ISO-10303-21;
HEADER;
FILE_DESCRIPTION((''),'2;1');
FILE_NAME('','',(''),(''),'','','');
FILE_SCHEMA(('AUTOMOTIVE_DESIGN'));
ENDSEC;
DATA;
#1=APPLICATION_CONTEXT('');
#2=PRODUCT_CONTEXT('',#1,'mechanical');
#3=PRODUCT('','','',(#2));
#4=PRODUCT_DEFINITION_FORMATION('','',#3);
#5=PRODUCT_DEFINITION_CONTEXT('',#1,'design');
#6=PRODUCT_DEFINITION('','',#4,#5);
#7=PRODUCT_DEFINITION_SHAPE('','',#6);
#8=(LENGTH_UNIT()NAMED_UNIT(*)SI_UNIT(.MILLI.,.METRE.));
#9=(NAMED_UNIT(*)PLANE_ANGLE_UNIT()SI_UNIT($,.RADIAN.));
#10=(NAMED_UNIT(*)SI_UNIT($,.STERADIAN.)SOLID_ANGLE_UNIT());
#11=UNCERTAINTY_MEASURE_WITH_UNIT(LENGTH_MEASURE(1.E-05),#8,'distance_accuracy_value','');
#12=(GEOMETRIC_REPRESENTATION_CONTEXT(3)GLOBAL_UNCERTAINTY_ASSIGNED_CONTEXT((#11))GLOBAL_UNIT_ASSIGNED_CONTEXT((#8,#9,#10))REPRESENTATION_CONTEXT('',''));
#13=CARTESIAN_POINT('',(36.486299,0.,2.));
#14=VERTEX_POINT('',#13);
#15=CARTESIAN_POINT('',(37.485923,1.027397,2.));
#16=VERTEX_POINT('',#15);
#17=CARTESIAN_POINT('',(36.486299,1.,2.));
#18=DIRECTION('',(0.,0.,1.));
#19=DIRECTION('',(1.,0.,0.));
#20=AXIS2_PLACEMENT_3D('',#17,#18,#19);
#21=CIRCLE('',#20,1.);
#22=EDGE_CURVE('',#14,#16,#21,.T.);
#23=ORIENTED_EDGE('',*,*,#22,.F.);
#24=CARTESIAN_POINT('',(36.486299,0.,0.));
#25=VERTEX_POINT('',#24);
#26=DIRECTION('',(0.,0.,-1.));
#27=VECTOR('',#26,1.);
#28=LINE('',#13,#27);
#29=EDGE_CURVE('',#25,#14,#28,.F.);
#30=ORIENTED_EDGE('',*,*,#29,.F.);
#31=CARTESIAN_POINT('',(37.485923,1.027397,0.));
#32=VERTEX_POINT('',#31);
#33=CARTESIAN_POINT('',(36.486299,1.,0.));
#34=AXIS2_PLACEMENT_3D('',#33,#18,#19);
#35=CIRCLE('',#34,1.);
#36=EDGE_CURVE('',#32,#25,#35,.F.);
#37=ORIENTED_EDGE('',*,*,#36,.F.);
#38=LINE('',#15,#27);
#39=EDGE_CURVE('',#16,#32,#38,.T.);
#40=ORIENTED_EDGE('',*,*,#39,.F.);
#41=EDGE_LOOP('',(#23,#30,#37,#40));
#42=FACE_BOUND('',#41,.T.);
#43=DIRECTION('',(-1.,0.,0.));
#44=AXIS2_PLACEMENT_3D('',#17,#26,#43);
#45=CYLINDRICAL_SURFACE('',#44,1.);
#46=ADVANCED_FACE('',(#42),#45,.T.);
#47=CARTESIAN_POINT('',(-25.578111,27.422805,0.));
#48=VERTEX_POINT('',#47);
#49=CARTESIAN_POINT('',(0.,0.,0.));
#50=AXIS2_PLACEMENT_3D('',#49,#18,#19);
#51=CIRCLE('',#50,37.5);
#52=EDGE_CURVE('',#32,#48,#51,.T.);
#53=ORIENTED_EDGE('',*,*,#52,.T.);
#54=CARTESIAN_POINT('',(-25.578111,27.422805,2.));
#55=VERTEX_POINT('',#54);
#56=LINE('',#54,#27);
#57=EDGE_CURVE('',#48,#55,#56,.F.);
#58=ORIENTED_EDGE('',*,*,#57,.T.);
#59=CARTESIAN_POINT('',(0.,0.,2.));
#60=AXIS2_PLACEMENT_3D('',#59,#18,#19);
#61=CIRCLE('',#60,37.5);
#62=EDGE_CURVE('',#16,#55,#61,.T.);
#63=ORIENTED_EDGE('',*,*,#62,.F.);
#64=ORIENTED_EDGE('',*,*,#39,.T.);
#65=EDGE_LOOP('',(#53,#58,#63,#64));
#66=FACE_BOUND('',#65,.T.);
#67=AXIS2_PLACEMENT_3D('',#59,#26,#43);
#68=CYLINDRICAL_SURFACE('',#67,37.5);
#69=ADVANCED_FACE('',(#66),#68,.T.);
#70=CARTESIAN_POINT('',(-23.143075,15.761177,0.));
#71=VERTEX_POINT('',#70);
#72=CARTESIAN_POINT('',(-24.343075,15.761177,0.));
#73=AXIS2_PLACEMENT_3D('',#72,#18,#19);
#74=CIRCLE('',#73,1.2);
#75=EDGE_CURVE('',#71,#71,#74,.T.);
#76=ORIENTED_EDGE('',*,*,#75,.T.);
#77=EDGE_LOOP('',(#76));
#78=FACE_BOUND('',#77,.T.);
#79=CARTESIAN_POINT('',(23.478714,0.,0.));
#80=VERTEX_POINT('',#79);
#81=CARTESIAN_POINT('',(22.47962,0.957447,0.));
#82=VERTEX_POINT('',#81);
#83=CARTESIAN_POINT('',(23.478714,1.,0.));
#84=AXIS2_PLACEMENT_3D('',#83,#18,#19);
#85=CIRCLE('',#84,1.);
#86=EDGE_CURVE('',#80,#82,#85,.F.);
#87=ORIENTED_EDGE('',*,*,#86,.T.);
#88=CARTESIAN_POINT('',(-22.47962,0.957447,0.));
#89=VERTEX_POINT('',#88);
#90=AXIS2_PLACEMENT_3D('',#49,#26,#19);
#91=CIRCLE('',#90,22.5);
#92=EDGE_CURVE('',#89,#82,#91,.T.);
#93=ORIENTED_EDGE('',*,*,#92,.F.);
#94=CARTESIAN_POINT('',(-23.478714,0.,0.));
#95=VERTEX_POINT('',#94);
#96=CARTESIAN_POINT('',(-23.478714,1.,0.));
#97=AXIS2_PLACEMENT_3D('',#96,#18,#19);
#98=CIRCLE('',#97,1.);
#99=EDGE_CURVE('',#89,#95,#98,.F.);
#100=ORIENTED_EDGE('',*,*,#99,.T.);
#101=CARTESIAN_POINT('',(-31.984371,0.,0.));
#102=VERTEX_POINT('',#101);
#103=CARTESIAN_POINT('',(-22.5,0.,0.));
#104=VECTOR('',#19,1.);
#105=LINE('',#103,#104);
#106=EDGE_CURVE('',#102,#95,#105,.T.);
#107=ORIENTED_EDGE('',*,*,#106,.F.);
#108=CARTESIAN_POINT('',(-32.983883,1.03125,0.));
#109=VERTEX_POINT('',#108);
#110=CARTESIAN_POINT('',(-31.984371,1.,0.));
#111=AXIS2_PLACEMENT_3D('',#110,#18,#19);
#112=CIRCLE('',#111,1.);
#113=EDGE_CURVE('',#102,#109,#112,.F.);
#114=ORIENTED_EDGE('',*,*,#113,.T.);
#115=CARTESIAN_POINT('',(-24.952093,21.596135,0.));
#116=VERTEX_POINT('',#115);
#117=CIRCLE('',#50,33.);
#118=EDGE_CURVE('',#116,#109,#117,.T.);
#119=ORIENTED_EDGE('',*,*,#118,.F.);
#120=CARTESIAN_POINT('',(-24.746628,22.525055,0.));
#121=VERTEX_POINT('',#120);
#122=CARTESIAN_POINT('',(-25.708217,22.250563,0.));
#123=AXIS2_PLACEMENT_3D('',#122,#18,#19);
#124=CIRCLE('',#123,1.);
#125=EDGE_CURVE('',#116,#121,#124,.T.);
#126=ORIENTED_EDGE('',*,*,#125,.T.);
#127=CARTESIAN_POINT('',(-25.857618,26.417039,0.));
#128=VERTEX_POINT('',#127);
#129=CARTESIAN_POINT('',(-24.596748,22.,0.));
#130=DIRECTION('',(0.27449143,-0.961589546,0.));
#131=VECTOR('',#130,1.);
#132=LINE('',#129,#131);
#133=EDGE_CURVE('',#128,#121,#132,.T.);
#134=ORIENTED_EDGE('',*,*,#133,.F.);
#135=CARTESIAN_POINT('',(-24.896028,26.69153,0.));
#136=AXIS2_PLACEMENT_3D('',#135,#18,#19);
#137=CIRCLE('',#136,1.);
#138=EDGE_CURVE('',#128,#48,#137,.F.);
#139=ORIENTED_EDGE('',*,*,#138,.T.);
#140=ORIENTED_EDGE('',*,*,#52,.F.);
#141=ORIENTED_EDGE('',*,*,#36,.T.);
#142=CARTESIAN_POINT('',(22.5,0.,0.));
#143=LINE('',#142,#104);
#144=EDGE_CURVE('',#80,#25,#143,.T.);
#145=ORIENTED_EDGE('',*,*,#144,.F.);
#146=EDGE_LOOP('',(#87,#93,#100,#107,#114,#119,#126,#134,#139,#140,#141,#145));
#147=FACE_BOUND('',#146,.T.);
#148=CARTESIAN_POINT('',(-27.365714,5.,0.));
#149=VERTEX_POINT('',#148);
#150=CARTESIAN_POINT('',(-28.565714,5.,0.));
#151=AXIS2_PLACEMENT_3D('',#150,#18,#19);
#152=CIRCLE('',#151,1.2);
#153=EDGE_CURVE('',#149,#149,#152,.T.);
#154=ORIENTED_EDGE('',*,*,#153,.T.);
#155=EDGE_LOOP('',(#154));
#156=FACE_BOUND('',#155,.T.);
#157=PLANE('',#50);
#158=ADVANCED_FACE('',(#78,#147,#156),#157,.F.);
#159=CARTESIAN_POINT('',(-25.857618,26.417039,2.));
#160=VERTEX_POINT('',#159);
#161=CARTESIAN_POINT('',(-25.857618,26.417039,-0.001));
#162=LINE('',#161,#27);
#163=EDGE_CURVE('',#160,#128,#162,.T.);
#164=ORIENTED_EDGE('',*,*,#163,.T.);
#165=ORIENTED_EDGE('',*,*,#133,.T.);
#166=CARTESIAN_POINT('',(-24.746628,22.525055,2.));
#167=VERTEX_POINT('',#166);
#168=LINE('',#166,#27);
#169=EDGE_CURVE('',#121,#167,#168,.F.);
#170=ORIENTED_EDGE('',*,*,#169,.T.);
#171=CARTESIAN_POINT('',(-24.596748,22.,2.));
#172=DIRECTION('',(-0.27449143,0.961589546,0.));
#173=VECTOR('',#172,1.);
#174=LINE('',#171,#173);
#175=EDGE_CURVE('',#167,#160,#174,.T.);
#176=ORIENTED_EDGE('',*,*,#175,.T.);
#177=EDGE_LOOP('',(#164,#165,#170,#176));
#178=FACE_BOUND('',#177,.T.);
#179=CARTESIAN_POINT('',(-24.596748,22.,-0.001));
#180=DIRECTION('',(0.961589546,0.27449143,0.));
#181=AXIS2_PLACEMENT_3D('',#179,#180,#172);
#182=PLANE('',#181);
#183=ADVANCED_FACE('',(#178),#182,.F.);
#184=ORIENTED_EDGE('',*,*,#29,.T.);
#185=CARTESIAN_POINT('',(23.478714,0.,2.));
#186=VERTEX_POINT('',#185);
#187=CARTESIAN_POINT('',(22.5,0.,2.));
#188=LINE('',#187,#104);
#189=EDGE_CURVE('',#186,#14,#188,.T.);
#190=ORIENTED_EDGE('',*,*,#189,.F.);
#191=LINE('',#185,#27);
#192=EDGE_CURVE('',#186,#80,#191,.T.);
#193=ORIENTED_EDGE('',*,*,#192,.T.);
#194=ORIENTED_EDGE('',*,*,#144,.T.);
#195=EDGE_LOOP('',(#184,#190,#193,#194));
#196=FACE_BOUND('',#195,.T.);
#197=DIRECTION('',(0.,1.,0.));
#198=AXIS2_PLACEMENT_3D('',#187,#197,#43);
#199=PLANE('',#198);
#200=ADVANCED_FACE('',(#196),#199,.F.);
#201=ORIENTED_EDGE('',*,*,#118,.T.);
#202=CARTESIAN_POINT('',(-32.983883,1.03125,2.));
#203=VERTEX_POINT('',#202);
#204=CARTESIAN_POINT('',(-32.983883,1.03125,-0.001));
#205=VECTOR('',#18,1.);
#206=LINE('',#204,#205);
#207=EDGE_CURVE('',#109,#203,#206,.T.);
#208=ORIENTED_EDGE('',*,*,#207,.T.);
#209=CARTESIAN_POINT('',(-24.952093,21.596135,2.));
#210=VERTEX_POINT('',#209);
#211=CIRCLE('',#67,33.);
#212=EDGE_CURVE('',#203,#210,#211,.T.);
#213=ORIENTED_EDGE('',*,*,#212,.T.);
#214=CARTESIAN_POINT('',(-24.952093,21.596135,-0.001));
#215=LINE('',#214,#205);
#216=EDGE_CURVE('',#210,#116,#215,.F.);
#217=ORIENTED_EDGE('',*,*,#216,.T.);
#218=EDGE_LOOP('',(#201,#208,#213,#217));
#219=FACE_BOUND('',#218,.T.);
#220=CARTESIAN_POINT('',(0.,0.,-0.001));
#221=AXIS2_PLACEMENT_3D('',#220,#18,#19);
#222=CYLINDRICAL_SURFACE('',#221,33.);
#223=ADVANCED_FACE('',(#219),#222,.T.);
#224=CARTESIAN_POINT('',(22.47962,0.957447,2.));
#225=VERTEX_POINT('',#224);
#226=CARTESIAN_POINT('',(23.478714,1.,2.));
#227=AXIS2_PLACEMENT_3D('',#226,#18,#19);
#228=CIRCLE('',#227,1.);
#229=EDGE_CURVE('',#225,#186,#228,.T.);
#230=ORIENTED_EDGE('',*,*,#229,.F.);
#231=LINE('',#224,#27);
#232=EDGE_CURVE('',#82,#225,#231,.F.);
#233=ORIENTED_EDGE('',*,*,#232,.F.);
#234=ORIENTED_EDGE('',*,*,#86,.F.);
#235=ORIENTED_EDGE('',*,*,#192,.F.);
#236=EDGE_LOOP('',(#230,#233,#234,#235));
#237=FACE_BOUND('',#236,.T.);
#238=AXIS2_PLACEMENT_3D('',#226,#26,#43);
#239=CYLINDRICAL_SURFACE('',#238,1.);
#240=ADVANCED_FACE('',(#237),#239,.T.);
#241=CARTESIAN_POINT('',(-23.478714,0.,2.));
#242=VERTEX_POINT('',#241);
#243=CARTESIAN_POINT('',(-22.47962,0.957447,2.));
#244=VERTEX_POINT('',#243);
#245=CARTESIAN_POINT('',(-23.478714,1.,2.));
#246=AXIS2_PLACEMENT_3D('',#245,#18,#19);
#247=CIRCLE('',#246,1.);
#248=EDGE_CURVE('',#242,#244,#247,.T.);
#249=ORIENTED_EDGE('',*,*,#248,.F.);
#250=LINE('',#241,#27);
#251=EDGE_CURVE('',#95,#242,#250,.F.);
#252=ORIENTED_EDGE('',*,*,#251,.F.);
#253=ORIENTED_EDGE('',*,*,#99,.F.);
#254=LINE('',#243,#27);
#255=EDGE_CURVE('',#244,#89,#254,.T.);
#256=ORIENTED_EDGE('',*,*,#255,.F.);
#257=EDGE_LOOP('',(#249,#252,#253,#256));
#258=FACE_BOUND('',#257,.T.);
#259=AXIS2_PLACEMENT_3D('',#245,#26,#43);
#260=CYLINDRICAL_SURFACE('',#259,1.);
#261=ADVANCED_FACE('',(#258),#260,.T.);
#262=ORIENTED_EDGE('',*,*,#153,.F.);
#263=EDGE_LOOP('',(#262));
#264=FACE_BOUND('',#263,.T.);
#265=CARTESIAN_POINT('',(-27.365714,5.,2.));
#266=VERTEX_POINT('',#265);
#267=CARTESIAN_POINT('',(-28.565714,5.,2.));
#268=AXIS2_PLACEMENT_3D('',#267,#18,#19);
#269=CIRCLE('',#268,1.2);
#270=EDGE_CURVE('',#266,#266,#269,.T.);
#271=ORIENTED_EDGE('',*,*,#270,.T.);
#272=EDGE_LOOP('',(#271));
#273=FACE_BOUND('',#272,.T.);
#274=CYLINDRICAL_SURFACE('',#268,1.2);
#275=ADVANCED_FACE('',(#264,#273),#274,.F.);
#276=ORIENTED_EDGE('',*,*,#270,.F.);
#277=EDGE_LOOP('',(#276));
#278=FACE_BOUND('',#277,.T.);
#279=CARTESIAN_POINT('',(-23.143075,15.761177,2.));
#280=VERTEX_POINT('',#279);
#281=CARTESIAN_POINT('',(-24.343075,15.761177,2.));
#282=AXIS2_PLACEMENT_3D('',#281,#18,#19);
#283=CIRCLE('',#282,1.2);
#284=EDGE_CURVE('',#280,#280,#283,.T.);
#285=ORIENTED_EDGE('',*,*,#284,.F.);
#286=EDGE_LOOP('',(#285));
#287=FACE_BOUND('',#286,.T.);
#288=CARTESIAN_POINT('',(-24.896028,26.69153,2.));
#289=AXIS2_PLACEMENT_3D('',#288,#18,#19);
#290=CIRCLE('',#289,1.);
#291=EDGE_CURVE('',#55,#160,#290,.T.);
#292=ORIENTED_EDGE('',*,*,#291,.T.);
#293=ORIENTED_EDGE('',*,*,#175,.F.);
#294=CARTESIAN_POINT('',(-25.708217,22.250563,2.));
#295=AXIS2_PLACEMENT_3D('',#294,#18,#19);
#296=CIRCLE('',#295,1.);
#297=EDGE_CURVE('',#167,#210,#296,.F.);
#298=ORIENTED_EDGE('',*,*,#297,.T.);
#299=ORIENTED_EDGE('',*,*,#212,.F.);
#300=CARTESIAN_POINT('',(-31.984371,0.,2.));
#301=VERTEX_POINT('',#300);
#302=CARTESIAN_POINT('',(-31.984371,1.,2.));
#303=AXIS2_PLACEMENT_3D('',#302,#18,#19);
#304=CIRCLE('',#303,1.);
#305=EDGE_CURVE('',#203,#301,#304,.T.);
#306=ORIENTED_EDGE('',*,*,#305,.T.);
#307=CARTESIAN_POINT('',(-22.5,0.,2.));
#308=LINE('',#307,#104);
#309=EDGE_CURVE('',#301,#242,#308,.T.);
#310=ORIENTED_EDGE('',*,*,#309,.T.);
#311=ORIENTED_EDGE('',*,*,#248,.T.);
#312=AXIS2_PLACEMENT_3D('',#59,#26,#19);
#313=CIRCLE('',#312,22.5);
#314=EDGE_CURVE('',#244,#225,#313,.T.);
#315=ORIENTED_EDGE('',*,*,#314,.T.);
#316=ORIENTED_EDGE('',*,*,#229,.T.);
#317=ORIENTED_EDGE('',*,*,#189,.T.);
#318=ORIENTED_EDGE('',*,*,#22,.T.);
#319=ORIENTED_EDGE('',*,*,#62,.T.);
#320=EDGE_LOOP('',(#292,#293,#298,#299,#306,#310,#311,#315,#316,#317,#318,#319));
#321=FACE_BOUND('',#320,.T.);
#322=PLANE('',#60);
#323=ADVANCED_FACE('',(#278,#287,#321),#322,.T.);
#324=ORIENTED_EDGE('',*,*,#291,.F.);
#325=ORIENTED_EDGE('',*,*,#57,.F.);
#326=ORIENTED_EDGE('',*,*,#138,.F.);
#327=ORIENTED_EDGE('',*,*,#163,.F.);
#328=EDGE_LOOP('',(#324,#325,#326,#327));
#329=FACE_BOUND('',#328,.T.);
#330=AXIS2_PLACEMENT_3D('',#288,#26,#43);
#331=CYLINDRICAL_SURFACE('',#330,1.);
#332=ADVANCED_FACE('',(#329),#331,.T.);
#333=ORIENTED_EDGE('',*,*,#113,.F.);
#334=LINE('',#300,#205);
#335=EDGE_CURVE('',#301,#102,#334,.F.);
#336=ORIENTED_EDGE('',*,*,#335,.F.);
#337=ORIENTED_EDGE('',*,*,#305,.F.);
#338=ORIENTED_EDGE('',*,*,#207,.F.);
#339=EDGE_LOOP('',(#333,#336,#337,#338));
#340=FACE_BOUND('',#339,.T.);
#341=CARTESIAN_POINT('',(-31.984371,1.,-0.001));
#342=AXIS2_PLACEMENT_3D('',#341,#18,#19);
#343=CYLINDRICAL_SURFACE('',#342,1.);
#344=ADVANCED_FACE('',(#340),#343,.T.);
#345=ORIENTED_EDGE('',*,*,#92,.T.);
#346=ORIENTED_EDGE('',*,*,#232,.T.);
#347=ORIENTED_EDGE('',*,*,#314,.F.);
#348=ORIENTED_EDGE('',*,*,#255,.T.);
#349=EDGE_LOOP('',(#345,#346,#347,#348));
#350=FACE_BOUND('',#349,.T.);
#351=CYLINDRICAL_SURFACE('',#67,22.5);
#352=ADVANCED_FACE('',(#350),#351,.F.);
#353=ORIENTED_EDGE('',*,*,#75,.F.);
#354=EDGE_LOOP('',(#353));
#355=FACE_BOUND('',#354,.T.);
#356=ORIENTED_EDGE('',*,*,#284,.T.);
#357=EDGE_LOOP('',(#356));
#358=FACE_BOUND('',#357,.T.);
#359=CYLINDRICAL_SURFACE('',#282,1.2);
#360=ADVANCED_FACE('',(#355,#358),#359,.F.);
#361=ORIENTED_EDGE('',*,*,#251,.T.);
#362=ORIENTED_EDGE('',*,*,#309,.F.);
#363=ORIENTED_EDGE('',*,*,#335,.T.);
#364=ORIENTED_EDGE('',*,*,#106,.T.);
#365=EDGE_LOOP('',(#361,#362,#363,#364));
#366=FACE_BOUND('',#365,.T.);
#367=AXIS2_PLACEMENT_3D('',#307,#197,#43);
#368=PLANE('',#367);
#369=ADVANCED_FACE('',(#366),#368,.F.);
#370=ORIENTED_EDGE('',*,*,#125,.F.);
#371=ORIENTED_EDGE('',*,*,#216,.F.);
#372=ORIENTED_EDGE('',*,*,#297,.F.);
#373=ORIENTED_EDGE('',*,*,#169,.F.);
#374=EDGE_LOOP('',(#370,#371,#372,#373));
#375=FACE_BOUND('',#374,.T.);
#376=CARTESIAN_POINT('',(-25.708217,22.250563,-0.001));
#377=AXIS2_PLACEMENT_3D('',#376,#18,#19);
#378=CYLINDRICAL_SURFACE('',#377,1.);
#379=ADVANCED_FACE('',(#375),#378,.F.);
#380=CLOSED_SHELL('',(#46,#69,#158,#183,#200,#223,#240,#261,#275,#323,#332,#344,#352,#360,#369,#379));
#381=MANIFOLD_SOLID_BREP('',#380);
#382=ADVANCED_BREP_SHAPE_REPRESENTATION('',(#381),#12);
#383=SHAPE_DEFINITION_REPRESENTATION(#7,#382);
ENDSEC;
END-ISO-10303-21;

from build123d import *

# Parameters (mm, degrees)
BOSS_EXTRU_1_DEPTH      = 2
D_GAGEMENT_M21_D        = 2.4
D_GAGEMENT_M21_DEPTH    = 10
D_GAGEMENT_M21_TIP      = 0.721032743
ENL_V_MAT_EXTRU_1_REACH = 4
CONG_1_R                = 1


with BuildPart() as part:
    # Esquisse1 → Boss.-Extru.1 (new body)
    with BuildSketch(Plane.XY):
        with BuildLine():
            Line((-22.5, 0), (-37.5, 0))
            ThreePointArc((-37.5, 0), (0, 37.5), (37.5, 0))
            Line((37.5, 0), (22.5, 0))
            ThreePointArc((22.5, 0), (0, 22.5), (-22.5, 0))
        make_face()
    extrude(amount=BOSS_EXTRU_1_DEPTH)

    # Dégagement M21
    with Locations(Plane.XY.offset(2)):
        with Locations((-28.565713714, 5), (-24.343075181, 15.761176693)):
            Hole(D_GAGEMENT_M21_D / 2, depth=D_GAGEMENT_M21_DEPTH)
            with Locations((0, 0, -(D_GAGEMENT_M21_DEPTH + D_GAGEMENT_M21_TIP / 2))):  # 118° drill point
                Cone(0, D_GAGEMENT_M21_D / 2, D_GAGEMENT_M21_TIP, mode=Mode.SUBTRACT)

    # Esquisse7 → Enlèv. mat.-Extru.1 (cut, up to next)
    with BuildSketch(Plane.XY.offset(2), mode=Mode.PRIVATE) as enl_v_mat_extru_1_sk1:
        with BuildLine():
            Line((-24.596747752, 22), (-26.024027359, 27))
            ThreePointArc((-26.024027359, 27), (-34.511961883, 14.66882705), (-37.5, 0))
            Line((-37.5, 0), (-33, 0))
            ThreePointArc((-33, 0), (-30.827687846, 11.775128963), (-24.596747752, 22))
        make_face()
    enl_v_mat_extru_1_tool1 = extrude(enl_v_mat_extru_1_sk1.sketch, amount=-ENL_V_MAT_EXTRU_1_REACH, mode=Mode.PRIVATE) & part.part
    add(enl_v_mat_extru_1_tool1.solids().sort_by_distance((-31.93558, 12.954639, 2))[0], mode=Mode.SUBTRACT)

    # Congé1
    cong_1_edges = [part.edges().sort_by_distance(p)[0] for p in [
        (-24.596747752, 22, 1),
        (-33, 0, 1),
        (-26.024027359, 27, 1),
        (-22.5, 0, 1),
        (37.5, 0, 1),
        (22.5, 0, 1),
    ]]
    fillet(cong_1_edges, radius=CONG_1_R)


solid = part.part
